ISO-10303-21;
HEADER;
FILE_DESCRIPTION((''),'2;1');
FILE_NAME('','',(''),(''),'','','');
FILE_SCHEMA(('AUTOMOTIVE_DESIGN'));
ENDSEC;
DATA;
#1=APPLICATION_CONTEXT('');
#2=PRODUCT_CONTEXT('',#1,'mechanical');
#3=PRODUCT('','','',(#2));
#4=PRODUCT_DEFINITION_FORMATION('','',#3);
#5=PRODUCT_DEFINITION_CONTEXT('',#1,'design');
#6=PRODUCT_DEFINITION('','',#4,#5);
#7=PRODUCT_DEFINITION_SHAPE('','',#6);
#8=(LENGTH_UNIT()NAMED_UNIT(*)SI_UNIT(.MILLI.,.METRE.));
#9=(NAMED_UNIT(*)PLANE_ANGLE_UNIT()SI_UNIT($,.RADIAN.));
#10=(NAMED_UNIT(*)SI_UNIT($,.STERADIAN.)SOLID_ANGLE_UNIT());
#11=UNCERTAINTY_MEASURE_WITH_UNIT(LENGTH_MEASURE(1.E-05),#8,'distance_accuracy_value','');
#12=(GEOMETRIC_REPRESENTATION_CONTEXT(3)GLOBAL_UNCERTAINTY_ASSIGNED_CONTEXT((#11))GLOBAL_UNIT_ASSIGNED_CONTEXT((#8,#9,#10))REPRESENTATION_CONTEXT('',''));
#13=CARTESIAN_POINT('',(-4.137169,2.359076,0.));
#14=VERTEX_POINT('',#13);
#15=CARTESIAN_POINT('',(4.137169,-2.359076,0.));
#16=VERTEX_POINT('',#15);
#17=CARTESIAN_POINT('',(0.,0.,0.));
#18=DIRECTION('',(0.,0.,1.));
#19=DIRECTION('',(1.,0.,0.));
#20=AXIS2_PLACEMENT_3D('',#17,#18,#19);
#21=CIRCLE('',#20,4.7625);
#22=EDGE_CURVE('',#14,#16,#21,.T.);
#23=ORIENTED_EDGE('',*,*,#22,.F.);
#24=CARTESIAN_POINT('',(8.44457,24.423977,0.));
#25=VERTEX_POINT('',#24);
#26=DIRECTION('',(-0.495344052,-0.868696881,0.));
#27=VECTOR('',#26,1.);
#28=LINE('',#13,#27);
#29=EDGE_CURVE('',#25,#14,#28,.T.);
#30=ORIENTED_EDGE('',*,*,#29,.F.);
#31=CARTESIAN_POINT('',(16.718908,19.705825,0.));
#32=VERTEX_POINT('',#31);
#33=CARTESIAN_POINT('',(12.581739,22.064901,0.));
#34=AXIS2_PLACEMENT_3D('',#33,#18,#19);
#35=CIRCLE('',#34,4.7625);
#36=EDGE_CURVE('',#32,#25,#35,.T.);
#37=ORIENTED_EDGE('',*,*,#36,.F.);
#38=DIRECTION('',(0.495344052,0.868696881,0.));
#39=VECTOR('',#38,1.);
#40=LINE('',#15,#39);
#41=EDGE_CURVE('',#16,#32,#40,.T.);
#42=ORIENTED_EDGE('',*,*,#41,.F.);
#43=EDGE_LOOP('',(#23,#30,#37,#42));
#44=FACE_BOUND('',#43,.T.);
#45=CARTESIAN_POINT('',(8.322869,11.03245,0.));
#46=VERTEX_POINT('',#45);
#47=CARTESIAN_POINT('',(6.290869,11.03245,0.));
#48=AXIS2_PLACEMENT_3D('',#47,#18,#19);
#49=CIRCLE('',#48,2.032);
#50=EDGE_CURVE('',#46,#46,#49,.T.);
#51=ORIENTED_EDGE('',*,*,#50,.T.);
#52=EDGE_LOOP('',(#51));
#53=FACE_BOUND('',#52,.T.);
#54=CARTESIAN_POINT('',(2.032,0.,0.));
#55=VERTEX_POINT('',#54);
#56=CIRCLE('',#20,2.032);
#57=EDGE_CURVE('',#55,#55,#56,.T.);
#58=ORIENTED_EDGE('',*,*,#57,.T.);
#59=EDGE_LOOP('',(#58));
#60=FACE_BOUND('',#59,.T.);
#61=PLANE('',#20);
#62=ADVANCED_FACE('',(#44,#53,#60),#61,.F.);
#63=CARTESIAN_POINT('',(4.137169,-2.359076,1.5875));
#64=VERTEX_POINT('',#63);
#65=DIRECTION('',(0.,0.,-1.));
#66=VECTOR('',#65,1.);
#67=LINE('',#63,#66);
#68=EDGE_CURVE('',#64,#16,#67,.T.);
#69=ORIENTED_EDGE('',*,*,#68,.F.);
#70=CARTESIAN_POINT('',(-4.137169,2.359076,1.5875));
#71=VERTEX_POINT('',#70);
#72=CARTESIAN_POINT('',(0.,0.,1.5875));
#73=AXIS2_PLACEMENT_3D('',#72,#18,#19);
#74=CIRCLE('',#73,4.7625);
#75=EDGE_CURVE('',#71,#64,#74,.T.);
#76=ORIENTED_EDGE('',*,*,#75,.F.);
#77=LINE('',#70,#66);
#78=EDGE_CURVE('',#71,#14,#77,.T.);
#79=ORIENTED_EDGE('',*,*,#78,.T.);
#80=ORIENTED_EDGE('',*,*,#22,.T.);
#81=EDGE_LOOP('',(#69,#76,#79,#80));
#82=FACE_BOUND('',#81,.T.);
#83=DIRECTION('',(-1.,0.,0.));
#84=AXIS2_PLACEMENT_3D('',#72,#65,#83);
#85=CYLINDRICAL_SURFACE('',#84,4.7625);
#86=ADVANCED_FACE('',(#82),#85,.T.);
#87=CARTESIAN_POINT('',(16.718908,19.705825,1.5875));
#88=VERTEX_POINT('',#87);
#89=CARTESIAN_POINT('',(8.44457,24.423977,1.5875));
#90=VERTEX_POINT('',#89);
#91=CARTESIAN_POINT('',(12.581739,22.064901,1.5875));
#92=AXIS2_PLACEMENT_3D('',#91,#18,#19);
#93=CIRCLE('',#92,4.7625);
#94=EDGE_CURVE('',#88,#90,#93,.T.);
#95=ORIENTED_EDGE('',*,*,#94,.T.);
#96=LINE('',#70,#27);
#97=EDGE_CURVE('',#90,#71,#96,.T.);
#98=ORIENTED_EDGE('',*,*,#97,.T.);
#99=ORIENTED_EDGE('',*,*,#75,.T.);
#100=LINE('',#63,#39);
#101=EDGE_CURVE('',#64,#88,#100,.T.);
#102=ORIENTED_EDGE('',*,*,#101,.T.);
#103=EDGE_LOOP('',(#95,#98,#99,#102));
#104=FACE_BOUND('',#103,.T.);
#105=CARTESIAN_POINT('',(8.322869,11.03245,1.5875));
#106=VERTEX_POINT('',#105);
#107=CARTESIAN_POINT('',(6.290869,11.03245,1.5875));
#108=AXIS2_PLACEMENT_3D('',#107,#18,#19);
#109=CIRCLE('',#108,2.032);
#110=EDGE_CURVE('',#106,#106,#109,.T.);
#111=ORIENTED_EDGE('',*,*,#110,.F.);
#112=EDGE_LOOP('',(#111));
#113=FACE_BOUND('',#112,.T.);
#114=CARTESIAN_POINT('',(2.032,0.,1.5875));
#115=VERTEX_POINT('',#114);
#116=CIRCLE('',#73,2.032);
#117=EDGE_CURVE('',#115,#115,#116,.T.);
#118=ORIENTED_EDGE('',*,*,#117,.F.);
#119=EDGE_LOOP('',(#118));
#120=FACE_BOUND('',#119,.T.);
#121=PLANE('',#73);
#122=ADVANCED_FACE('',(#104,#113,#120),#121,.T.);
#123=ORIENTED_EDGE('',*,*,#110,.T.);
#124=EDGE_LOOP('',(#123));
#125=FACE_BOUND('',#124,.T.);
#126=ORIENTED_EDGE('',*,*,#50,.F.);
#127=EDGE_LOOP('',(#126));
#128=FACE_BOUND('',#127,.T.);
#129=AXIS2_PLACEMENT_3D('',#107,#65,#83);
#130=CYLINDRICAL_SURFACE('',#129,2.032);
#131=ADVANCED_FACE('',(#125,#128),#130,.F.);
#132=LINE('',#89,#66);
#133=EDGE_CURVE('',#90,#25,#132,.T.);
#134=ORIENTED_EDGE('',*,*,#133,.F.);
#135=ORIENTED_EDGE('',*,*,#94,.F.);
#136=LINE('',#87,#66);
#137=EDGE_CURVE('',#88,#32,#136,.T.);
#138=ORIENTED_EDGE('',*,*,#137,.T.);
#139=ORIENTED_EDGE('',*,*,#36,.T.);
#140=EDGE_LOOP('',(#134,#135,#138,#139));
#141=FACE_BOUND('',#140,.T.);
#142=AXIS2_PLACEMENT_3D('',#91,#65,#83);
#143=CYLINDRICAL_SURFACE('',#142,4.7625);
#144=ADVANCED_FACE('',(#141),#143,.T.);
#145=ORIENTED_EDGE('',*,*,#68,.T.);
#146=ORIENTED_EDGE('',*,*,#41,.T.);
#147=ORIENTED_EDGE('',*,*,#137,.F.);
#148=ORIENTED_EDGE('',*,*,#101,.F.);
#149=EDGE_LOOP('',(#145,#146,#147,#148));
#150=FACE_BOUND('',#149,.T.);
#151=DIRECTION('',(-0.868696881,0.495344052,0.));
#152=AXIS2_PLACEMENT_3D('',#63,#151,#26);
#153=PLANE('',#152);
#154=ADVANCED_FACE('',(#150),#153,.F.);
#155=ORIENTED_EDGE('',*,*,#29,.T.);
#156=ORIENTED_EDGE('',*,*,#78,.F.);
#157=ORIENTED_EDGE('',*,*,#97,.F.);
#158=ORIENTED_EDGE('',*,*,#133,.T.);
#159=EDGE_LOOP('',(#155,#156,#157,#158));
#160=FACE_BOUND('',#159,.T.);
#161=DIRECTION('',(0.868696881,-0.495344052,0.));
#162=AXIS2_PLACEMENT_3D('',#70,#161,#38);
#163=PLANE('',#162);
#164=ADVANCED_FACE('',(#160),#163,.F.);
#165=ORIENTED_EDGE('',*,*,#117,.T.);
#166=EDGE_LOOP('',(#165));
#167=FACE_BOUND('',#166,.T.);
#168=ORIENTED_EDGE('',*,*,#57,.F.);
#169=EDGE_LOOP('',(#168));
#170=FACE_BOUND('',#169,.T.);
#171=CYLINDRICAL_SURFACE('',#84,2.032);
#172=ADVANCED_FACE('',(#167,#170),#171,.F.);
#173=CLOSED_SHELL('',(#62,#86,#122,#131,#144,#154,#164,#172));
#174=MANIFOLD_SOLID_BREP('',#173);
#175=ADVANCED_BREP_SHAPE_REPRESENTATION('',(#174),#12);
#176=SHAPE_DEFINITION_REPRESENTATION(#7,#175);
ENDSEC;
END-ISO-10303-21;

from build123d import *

# Parameters (mm, degrees)
SKETCH1_R           = 2.032
BOSS_EXTRUDE1_DEPTH = 1.5875


with BuildPart() as part:
    # Sketch1 → Boss-Extrude1 (new body)
    with BuildSketch(Plane.XY):
        with BuildLine():
            Line((-4.137168894, 2.359076046), (8.444570016, 24.423976816))
            ThreePointArc((8.444570016, 24.423976816), (14.940814956, 26.202069665), (16.718907805, 19.705824725))
            Line((16.718907805, 19.705824725), (4.137168894, -2.359076046))
            ThreePointArc((4.137168894, -2.359076046), (-2.359076046, -4.137168894), (-4.137168894, 2.359076046))
        make_face()
        Circle(SKETCH1_R, mode=Mode.SUBTRACT)
        with Locations((6.290869455, 11.032450385)):
            Circle(SKETCH1_R, mode=Mode.SUBTRACT)
    extrude(amount=BOSS_EXTRUDE1_DEPTH)


solid = part.part
